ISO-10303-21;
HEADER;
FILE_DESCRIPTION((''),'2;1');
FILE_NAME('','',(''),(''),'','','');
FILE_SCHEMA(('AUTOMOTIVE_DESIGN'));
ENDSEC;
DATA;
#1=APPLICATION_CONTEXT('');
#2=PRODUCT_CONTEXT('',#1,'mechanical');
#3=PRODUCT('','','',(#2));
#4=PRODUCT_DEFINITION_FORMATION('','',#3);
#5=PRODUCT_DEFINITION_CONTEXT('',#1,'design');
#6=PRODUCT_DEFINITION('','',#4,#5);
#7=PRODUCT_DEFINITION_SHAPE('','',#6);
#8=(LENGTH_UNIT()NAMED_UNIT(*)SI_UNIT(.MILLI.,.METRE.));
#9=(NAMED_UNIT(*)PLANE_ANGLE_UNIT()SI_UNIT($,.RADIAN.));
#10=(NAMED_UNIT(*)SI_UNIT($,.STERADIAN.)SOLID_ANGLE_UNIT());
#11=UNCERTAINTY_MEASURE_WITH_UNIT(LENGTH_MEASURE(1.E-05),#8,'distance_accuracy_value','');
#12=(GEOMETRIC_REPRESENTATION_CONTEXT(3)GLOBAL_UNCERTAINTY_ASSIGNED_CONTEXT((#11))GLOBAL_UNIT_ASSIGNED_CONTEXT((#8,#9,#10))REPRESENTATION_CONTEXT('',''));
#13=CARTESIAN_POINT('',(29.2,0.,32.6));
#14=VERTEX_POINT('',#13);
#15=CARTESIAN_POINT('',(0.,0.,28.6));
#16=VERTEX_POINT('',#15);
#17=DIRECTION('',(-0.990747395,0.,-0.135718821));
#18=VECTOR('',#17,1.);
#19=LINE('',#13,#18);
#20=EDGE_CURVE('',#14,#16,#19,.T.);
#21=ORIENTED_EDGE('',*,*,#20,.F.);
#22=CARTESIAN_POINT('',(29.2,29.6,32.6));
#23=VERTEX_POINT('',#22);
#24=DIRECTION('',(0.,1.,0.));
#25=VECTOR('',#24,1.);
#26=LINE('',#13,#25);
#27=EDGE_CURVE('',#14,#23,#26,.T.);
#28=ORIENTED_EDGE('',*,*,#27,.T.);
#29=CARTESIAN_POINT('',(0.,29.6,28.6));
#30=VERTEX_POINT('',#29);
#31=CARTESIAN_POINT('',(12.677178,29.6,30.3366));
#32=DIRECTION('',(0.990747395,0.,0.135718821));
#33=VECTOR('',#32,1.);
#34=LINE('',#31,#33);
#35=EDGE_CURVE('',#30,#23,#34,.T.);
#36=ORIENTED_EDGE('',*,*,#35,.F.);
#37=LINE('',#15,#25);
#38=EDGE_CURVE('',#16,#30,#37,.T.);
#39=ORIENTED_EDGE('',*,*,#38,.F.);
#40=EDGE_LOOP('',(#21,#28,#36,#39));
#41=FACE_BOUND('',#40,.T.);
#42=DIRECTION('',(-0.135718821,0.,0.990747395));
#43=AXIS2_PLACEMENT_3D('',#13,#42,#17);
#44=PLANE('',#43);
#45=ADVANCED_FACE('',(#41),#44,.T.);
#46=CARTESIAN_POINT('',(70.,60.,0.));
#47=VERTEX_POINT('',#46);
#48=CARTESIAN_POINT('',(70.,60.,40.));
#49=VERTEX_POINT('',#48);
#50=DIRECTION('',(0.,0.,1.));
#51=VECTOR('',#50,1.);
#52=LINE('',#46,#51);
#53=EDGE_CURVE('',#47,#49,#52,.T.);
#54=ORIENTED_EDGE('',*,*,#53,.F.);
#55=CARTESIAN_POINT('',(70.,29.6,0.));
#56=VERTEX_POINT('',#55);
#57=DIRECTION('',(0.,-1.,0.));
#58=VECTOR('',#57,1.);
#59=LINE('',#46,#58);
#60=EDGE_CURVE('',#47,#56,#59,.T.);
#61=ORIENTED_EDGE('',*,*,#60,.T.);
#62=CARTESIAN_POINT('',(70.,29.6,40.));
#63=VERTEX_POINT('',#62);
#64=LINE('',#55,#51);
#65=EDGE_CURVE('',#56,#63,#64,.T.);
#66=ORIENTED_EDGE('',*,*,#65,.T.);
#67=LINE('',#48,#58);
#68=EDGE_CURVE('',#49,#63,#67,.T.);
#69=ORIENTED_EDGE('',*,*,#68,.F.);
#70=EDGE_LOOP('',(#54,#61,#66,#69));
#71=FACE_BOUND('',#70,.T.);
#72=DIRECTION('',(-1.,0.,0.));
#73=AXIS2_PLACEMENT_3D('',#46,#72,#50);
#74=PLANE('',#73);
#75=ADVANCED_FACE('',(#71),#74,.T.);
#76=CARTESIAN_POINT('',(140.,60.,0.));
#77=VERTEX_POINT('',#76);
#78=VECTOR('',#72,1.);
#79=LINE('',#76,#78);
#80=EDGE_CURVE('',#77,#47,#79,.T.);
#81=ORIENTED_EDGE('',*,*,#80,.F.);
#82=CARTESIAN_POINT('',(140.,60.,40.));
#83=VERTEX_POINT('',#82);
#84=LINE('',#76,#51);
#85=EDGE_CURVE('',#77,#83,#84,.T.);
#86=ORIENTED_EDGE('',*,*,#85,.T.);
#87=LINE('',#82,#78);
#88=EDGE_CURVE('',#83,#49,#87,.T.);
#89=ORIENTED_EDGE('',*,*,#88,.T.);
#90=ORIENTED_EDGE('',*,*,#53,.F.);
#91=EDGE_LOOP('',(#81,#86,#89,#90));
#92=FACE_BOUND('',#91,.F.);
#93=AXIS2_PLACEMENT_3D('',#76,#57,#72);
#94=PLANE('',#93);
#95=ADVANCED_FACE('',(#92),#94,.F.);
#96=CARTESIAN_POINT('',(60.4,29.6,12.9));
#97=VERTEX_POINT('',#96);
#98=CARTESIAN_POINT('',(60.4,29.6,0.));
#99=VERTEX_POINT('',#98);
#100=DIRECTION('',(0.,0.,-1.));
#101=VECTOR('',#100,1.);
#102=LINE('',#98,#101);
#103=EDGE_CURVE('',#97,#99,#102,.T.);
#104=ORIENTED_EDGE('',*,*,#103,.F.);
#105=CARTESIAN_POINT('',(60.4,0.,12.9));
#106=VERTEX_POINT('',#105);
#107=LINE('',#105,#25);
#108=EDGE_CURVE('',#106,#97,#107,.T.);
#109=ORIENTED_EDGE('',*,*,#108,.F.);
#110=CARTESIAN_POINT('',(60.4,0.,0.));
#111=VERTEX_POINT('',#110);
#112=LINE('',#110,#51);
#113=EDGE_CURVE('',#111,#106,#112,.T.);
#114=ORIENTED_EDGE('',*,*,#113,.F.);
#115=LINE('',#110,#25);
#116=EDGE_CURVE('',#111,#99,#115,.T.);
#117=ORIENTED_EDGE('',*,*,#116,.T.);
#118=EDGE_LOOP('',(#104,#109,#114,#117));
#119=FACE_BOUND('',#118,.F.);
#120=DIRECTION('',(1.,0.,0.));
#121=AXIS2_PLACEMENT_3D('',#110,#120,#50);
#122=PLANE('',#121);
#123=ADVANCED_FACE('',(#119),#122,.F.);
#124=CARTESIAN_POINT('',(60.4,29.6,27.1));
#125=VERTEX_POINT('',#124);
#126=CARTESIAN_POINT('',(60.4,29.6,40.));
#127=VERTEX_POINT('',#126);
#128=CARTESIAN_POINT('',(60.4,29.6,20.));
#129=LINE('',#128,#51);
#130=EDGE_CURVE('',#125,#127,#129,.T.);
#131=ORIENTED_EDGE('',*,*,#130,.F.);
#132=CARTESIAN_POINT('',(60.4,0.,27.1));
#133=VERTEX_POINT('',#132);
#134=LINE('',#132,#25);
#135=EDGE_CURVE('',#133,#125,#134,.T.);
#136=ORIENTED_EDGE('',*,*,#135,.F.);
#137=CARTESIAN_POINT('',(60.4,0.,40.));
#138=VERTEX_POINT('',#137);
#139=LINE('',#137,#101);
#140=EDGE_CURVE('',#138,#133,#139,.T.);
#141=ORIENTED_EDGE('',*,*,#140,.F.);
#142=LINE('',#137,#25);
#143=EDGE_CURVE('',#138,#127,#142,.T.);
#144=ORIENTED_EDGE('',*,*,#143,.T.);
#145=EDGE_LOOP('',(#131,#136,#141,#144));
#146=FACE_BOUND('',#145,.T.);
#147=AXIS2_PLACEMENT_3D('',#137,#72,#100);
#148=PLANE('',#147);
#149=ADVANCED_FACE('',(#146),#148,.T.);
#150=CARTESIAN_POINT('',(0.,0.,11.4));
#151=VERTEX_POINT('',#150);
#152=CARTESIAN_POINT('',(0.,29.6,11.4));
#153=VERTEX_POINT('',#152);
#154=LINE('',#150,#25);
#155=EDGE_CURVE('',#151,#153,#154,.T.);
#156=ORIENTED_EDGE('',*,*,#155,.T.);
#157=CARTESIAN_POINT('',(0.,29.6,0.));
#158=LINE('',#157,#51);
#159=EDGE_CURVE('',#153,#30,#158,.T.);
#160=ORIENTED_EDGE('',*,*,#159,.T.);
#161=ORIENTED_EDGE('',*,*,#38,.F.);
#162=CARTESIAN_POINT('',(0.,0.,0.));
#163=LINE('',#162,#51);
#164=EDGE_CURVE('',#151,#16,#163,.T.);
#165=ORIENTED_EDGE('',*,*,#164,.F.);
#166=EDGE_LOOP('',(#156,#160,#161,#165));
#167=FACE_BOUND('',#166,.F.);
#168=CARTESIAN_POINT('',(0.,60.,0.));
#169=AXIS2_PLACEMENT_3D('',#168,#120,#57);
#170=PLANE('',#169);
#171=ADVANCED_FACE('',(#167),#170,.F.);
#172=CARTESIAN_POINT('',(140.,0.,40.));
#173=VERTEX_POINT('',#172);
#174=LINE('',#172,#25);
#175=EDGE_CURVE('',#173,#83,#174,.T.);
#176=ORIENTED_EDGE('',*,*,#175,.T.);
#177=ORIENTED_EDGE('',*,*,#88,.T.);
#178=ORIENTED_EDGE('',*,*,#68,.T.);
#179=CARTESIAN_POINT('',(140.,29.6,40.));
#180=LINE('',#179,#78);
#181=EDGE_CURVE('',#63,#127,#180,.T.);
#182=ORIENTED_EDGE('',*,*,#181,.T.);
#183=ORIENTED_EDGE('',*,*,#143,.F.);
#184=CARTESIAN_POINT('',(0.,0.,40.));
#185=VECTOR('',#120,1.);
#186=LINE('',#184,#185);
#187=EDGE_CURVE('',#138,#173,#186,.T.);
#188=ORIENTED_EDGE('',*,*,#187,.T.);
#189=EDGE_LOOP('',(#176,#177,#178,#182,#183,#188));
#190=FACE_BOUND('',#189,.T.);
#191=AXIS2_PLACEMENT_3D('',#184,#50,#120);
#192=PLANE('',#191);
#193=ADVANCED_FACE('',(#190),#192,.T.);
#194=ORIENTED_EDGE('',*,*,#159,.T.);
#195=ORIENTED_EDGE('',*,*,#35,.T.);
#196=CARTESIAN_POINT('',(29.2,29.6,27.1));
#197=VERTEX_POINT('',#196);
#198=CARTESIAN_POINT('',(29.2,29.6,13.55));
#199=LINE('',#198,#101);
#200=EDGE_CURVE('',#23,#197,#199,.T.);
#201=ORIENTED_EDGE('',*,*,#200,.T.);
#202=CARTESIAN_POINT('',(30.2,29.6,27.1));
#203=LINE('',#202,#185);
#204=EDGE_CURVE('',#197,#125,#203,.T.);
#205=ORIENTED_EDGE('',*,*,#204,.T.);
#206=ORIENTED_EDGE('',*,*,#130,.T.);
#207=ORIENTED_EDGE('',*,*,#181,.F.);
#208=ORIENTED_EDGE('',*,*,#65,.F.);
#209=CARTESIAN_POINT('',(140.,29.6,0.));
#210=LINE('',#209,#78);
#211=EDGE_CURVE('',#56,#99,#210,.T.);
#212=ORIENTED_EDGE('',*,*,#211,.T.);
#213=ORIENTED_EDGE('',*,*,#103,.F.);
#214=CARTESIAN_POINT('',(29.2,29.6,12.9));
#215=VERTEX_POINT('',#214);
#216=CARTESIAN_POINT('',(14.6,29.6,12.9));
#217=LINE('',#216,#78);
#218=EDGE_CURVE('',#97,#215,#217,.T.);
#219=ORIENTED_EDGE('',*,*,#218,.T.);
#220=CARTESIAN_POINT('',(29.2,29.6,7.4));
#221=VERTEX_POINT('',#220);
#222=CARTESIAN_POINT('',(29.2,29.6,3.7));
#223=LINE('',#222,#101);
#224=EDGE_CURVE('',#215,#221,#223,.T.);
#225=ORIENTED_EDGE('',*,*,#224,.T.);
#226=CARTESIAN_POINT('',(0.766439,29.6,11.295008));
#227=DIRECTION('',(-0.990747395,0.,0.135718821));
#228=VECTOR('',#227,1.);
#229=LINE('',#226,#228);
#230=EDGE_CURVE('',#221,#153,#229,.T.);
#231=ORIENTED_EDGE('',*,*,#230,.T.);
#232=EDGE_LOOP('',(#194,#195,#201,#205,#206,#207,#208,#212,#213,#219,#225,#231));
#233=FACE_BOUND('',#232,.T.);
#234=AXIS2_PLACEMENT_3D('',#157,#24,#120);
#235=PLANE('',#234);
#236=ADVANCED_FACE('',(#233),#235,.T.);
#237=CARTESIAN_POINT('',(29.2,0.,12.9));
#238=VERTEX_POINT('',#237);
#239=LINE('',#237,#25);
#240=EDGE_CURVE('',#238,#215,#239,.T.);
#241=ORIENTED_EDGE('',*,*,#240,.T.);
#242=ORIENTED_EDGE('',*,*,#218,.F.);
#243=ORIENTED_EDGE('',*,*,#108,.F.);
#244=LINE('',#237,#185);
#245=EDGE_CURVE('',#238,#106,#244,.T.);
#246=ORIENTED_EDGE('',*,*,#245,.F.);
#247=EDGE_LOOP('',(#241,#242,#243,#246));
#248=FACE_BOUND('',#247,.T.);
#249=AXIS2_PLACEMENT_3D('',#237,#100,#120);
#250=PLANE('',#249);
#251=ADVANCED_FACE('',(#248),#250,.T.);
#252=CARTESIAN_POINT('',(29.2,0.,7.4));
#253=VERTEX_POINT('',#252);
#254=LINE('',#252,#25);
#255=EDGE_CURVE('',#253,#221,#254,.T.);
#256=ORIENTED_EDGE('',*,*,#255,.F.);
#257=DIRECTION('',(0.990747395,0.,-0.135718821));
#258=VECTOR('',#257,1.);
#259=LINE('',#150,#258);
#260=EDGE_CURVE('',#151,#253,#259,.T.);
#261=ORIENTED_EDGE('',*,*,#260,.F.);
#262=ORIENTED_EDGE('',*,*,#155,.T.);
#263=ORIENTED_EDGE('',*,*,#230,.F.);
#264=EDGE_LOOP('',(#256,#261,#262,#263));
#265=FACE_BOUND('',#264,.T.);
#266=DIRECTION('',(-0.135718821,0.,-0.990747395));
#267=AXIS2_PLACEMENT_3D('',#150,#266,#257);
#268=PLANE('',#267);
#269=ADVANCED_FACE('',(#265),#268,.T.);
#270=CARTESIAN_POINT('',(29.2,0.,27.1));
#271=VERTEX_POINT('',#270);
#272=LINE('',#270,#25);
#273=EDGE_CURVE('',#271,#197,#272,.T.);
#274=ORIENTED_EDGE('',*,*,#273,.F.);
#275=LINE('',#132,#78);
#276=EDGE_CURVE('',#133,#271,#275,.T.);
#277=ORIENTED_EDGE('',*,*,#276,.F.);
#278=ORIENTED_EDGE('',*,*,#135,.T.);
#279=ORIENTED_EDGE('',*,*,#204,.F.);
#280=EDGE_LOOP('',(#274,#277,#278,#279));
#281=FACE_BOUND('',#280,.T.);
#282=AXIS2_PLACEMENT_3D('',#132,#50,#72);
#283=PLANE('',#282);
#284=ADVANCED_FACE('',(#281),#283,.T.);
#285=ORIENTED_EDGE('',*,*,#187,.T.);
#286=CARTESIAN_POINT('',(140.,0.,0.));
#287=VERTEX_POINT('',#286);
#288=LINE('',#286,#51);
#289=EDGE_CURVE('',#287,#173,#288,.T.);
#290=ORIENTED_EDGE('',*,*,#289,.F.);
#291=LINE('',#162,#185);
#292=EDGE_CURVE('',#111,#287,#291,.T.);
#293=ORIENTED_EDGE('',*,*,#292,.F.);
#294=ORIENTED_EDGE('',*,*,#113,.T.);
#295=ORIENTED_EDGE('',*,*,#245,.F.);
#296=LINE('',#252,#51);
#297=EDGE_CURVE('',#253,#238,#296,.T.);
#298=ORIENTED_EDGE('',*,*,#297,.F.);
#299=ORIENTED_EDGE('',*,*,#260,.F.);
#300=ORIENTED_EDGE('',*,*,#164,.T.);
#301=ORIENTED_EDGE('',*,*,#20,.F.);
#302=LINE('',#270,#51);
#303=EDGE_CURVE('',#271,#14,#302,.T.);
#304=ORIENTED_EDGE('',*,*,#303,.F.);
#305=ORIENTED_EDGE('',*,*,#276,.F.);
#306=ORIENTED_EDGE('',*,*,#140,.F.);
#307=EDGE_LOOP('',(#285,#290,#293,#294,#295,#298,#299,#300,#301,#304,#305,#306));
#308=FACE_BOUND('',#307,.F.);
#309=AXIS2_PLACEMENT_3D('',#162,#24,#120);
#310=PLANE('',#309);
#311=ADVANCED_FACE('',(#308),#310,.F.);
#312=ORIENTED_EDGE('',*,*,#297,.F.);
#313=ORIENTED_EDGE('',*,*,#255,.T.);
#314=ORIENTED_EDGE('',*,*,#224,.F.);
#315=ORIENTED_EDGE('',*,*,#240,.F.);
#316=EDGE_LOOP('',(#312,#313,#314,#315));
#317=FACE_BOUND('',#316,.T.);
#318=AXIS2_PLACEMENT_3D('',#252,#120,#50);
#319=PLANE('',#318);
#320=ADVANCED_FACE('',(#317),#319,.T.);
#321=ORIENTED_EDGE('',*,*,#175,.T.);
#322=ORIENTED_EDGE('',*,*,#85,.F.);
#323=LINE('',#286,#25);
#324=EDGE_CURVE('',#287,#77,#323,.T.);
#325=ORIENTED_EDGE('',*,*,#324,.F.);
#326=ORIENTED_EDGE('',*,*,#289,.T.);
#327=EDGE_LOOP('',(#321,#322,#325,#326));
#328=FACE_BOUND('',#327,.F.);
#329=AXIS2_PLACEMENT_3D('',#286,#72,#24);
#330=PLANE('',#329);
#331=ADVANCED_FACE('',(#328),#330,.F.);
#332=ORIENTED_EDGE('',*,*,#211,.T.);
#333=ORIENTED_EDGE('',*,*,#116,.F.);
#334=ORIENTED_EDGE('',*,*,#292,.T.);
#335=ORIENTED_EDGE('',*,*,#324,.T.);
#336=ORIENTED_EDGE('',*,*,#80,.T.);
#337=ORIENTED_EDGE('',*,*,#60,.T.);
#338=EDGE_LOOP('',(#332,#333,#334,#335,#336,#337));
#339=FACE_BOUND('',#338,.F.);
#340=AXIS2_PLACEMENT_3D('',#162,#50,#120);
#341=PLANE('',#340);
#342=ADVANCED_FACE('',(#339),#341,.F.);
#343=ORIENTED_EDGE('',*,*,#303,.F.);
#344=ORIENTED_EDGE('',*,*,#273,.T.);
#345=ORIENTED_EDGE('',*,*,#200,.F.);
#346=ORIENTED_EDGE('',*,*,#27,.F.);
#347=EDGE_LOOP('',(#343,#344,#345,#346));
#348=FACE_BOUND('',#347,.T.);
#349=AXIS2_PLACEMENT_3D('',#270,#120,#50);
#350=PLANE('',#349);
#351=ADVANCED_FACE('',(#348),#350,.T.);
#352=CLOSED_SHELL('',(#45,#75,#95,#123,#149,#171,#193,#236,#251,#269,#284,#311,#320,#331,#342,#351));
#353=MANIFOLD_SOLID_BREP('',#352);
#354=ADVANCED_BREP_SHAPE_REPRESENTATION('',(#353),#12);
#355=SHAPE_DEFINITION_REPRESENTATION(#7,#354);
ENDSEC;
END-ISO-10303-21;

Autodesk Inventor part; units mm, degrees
ref_plane "YZ Plane" through (0, 0, 0) normal (1, 0, 0) x (0, 1, 0)
ref_plane "XZ Plane" through (0, 0, 0) normal (0, 1, 0) x (-1, 0, 0)
ref_plane "XY Plane" through (0, 0, 0) normal (0, 0, 1) x (1, 0, 0)
sketch "Boceto1" plane through (0, 0, 0) normal (0, 0, 1) x (1, 0, 0)
  line L0 (0, 0) -> (140, 0)
  line L1 (140, 0) -> (140, 60)
  line L2 (140, 60) -> (0, 60)
  line L3 (0, 60) -> (0, 0)
  dimension "d0" = 140
  dimension "d1" = 60
extrude "Extrusión1" add sketch "Boceto1" along normal blind 40
sketch "Boceto2" plane through (0, 60, 0) normal (0, 1, 0) x (1, 0, 0)
  line L0 (140, -40) -> (0, -40) projected
  line L1 (0, 0) -> (0, -40)
  line L2 (140, 0) -> (0, 0) projected
  line L3 (0, 0) -> (70, 0)
  line L4 (0, 0) -> (70, 0) construction
  line L5 (70, 0) -> (70, -40)
  line L6 (0, -40) -> (70, -40)
  point P0 (70, 0)
  dimension "d4" = 70
  dimension "d5" = 0
extrude "Extrusión2" cut sketch "Boceto2" against normal blind 30.4
sketch "Boceto3" plane through (0, 0, 0) normal (0, -1, 0) x (1, 0, 0)
  line L0 (0, 0) -> (140, 0) projected
  line L1 (0, 0) -> (0, 11.4)
  line L2 (0, 0) -> (0, 40) projected
  line L3 (0, 11.4) -> (0, 28.6) construction
  line L4 (0, 28.6) -> (0, 40)
  line L5 (0, 0) -> (29.2, 0)
  line L6 (29.2, 0) -> (29.2, 7.4) construction
  line L7 (0, 11.4) -> (29.2, 7.4)
  line L8 (29.2, 0) -> (29.2, 7.4)
  line L9 (29.2, 7.4) -> (29.2, 12.9)
  line L10 (29.2, 12.9) -> (60.4, 12.9)
  line L11 (29.2, 0) -> (60.4, 0)
  line L12 (60.4, 0) -> (60.4, 12.9)
  line L13 (0, 40) -> (140, 40) projected
  line L14 (0, 40) -> (60.4, 40)
  line L15 (60.4, 40) -> (60.4, 27.1)
  line L16 (60.4, 27.1) -> (29.2, 27.1)
  line L17 (60.4, 27.1) -> (91.6, 27.1) construction
  line L18 (29.2, 27.1) -> (29.2, 32.6)
  line L19 (29.2, 32.6) -> (0, 28.6)
  dimension "d8" = 11.4
  dimension "d9" = 17.2
  dimension "d10" = 29.2
  dimension "d11" = 7.4
  dimension "d12" = 5.5
  dimension "d13" = 31.2
  dimension "d14" = 12.9
  dimension "d15" = 60.4
  dimension "d16" = 31.2
  dimension "d17" = 180
  dimension "d18" = 5.5
extrude "Extrusión3" cut sketch "Boceto3" against normal blind 30
equation "\"d4\" = Largo_mitad"
equation "\"d12\" = Prof_corte"
equation "\"d18\" = Prof_corte"
equation "\"Largo_mitad\" = 70"
equation "\"Prof_corte\" = 5.5"
equation "\"Separacion_1\" = 11"
equation "\"Separacion_2\" = 7"
equation "\"Separacion_3\" = 12.5"
equation "\"Angulo_0\" = 0"
equation "\"Angulo_180\" = 180deg"
properties part number "Tenon_Macho_Parametrizado"
